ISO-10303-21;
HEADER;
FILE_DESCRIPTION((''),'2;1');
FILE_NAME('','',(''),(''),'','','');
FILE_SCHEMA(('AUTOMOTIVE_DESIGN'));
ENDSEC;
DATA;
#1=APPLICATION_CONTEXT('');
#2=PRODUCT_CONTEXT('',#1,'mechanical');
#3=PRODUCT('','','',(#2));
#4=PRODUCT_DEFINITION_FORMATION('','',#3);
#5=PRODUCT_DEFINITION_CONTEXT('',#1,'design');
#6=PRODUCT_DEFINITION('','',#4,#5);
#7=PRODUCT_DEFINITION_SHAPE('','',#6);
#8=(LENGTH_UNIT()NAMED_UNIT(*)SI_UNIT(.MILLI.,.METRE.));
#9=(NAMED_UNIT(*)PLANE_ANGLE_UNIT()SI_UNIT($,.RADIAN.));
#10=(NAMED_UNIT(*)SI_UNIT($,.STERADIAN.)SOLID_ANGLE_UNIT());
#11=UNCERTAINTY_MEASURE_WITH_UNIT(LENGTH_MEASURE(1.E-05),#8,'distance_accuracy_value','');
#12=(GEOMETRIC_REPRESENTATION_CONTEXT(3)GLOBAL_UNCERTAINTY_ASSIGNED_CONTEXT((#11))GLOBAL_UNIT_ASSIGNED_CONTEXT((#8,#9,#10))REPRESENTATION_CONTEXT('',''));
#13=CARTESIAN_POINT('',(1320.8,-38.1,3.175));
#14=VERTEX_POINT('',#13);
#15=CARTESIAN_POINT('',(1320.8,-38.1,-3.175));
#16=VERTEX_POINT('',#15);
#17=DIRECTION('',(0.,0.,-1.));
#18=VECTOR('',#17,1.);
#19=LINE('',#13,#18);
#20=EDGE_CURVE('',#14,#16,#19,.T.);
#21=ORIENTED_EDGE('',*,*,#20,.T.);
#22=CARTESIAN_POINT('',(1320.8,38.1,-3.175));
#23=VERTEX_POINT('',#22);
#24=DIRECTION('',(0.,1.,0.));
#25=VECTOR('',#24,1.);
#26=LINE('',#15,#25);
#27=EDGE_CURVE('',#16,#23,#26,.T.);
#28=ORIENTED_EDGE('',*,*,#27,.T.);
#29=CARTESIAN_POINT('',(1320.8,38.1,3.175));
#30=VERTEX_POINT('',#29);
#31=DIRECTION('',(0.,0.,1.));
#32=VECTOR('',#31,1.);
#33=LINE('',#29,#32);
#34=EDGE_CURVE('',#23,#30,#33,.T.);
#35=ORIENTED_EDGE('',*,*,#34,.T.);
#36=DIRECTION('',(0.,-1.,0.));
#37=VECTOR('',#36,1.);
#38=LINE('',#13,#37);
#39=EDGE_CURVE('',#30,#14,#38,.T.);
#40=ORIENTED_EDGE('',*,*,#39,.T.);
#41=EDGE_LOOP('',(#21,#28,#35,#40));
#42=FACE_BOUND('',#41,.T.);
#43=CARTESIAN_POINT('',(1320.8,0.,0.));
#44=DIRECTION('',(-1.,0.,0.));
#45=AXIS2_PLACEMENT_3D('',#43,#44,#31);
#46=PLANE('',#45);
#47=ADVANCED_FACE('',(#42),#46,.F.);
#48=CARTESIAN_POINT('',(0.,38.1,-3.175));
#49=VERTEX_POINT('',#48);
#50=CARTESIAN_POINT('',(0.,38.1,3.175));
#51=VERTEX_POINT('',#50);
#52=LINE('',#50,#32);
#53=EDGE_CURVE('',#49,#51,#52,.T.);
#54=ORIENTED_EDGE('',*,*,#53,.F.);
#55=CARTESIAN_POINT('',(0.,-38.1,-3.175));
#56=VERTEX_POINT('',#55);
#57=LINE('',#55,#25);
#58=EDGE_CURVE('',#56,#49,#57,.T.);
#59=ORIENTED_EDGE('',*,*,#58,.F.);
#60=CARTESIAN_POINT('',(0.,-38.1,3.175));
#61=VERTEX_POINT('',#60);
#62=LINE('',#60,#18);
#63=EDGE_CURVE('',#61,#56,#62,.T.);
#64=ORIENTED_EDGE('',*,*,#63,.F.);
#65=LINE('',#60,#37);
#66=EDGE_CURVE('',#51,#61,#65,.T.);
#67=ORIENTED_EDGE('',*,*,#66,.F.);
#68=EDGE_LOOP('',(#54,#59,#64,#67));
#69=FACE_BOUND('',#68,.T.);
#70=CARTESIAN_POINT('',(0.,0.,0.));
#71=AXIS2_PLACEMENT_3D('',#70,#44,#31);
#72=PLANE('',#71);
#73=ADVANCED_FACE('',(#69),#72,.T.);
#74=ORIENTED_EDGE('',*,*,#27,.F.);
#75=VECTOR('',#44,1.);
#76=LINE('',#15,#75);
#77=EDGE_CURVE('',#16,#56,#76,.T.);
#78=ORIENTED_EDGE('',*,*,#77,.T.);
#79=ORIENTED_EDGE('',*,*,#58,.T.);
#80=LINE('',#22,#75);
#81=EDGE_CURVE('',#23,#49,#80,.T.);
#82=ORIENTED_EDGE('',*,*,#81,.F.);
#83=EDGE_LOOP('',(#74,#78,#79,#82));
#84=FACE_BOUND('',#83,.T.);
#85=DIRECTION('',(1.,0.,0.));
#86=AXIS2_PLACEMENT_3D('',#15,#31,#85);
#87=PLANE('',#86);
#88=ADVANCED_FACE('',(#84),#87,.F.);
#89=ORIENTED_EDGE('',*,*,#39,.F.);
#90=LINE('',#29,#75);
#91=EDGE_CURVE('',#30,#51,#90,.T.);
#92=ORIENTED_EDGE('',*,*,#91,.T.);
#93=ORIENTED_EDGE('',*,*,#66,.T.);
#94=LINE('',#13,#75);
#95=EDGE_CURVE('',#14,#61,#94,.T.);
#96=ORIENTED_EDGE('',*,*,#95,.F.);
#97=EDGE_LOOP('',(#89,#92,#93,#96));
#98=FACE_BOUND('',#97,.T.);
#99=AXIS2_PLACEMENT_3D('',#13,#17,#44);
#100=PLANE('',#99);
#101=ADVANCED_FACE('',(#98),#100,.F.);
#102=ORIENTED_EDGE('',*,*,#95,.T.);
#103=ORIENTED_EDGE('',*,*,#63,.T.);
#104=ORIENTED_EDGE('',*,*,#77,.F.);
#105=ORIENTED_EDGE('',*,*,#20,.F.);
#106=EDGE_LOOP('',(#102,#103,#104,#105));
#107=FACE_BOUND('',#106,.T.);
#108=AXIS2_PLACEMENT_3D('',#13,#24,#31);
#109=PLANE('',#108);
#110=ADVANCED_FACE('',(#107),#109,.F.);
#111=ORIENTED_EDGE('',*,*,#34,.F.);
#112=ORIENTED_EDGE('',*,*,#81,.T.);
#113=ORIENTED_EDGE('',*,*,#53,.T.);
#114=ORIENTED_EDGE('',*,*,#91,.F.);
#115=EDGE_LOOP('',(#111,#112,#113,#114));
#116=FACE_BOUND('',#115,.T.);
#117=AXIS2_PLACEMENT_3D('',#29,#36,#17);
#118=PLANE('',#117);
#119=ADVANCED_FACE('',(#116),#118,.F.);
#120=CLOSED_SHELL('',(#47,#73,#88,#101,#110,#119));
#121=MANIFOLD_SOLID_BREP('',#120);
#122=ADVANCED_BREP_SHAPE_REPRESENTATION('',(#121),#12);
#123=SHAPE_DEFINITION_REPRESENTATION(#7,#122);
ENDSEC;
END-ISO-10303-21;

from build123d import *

# Parameters (mm, degrees)
SKETCH1_W           = 6.35
SKETCH1_H           = 76.2
BOSS_EXTRUDE1_DEPTH = 1320.8


with BuildPart() as part:
    # Sketch1 → Boss-Extrude1 (new body)
    with BuildSketch(Plane(origin=(0, 0, 0), x_dir=(0, 0, -1), z_dir=(1, 0, 0))):
        Rectangle(SKETCH1_W, SKETCH1_H)
    extrude(amount=BOSS_EXTRUDE1_DEPTH)


solid = part.part
